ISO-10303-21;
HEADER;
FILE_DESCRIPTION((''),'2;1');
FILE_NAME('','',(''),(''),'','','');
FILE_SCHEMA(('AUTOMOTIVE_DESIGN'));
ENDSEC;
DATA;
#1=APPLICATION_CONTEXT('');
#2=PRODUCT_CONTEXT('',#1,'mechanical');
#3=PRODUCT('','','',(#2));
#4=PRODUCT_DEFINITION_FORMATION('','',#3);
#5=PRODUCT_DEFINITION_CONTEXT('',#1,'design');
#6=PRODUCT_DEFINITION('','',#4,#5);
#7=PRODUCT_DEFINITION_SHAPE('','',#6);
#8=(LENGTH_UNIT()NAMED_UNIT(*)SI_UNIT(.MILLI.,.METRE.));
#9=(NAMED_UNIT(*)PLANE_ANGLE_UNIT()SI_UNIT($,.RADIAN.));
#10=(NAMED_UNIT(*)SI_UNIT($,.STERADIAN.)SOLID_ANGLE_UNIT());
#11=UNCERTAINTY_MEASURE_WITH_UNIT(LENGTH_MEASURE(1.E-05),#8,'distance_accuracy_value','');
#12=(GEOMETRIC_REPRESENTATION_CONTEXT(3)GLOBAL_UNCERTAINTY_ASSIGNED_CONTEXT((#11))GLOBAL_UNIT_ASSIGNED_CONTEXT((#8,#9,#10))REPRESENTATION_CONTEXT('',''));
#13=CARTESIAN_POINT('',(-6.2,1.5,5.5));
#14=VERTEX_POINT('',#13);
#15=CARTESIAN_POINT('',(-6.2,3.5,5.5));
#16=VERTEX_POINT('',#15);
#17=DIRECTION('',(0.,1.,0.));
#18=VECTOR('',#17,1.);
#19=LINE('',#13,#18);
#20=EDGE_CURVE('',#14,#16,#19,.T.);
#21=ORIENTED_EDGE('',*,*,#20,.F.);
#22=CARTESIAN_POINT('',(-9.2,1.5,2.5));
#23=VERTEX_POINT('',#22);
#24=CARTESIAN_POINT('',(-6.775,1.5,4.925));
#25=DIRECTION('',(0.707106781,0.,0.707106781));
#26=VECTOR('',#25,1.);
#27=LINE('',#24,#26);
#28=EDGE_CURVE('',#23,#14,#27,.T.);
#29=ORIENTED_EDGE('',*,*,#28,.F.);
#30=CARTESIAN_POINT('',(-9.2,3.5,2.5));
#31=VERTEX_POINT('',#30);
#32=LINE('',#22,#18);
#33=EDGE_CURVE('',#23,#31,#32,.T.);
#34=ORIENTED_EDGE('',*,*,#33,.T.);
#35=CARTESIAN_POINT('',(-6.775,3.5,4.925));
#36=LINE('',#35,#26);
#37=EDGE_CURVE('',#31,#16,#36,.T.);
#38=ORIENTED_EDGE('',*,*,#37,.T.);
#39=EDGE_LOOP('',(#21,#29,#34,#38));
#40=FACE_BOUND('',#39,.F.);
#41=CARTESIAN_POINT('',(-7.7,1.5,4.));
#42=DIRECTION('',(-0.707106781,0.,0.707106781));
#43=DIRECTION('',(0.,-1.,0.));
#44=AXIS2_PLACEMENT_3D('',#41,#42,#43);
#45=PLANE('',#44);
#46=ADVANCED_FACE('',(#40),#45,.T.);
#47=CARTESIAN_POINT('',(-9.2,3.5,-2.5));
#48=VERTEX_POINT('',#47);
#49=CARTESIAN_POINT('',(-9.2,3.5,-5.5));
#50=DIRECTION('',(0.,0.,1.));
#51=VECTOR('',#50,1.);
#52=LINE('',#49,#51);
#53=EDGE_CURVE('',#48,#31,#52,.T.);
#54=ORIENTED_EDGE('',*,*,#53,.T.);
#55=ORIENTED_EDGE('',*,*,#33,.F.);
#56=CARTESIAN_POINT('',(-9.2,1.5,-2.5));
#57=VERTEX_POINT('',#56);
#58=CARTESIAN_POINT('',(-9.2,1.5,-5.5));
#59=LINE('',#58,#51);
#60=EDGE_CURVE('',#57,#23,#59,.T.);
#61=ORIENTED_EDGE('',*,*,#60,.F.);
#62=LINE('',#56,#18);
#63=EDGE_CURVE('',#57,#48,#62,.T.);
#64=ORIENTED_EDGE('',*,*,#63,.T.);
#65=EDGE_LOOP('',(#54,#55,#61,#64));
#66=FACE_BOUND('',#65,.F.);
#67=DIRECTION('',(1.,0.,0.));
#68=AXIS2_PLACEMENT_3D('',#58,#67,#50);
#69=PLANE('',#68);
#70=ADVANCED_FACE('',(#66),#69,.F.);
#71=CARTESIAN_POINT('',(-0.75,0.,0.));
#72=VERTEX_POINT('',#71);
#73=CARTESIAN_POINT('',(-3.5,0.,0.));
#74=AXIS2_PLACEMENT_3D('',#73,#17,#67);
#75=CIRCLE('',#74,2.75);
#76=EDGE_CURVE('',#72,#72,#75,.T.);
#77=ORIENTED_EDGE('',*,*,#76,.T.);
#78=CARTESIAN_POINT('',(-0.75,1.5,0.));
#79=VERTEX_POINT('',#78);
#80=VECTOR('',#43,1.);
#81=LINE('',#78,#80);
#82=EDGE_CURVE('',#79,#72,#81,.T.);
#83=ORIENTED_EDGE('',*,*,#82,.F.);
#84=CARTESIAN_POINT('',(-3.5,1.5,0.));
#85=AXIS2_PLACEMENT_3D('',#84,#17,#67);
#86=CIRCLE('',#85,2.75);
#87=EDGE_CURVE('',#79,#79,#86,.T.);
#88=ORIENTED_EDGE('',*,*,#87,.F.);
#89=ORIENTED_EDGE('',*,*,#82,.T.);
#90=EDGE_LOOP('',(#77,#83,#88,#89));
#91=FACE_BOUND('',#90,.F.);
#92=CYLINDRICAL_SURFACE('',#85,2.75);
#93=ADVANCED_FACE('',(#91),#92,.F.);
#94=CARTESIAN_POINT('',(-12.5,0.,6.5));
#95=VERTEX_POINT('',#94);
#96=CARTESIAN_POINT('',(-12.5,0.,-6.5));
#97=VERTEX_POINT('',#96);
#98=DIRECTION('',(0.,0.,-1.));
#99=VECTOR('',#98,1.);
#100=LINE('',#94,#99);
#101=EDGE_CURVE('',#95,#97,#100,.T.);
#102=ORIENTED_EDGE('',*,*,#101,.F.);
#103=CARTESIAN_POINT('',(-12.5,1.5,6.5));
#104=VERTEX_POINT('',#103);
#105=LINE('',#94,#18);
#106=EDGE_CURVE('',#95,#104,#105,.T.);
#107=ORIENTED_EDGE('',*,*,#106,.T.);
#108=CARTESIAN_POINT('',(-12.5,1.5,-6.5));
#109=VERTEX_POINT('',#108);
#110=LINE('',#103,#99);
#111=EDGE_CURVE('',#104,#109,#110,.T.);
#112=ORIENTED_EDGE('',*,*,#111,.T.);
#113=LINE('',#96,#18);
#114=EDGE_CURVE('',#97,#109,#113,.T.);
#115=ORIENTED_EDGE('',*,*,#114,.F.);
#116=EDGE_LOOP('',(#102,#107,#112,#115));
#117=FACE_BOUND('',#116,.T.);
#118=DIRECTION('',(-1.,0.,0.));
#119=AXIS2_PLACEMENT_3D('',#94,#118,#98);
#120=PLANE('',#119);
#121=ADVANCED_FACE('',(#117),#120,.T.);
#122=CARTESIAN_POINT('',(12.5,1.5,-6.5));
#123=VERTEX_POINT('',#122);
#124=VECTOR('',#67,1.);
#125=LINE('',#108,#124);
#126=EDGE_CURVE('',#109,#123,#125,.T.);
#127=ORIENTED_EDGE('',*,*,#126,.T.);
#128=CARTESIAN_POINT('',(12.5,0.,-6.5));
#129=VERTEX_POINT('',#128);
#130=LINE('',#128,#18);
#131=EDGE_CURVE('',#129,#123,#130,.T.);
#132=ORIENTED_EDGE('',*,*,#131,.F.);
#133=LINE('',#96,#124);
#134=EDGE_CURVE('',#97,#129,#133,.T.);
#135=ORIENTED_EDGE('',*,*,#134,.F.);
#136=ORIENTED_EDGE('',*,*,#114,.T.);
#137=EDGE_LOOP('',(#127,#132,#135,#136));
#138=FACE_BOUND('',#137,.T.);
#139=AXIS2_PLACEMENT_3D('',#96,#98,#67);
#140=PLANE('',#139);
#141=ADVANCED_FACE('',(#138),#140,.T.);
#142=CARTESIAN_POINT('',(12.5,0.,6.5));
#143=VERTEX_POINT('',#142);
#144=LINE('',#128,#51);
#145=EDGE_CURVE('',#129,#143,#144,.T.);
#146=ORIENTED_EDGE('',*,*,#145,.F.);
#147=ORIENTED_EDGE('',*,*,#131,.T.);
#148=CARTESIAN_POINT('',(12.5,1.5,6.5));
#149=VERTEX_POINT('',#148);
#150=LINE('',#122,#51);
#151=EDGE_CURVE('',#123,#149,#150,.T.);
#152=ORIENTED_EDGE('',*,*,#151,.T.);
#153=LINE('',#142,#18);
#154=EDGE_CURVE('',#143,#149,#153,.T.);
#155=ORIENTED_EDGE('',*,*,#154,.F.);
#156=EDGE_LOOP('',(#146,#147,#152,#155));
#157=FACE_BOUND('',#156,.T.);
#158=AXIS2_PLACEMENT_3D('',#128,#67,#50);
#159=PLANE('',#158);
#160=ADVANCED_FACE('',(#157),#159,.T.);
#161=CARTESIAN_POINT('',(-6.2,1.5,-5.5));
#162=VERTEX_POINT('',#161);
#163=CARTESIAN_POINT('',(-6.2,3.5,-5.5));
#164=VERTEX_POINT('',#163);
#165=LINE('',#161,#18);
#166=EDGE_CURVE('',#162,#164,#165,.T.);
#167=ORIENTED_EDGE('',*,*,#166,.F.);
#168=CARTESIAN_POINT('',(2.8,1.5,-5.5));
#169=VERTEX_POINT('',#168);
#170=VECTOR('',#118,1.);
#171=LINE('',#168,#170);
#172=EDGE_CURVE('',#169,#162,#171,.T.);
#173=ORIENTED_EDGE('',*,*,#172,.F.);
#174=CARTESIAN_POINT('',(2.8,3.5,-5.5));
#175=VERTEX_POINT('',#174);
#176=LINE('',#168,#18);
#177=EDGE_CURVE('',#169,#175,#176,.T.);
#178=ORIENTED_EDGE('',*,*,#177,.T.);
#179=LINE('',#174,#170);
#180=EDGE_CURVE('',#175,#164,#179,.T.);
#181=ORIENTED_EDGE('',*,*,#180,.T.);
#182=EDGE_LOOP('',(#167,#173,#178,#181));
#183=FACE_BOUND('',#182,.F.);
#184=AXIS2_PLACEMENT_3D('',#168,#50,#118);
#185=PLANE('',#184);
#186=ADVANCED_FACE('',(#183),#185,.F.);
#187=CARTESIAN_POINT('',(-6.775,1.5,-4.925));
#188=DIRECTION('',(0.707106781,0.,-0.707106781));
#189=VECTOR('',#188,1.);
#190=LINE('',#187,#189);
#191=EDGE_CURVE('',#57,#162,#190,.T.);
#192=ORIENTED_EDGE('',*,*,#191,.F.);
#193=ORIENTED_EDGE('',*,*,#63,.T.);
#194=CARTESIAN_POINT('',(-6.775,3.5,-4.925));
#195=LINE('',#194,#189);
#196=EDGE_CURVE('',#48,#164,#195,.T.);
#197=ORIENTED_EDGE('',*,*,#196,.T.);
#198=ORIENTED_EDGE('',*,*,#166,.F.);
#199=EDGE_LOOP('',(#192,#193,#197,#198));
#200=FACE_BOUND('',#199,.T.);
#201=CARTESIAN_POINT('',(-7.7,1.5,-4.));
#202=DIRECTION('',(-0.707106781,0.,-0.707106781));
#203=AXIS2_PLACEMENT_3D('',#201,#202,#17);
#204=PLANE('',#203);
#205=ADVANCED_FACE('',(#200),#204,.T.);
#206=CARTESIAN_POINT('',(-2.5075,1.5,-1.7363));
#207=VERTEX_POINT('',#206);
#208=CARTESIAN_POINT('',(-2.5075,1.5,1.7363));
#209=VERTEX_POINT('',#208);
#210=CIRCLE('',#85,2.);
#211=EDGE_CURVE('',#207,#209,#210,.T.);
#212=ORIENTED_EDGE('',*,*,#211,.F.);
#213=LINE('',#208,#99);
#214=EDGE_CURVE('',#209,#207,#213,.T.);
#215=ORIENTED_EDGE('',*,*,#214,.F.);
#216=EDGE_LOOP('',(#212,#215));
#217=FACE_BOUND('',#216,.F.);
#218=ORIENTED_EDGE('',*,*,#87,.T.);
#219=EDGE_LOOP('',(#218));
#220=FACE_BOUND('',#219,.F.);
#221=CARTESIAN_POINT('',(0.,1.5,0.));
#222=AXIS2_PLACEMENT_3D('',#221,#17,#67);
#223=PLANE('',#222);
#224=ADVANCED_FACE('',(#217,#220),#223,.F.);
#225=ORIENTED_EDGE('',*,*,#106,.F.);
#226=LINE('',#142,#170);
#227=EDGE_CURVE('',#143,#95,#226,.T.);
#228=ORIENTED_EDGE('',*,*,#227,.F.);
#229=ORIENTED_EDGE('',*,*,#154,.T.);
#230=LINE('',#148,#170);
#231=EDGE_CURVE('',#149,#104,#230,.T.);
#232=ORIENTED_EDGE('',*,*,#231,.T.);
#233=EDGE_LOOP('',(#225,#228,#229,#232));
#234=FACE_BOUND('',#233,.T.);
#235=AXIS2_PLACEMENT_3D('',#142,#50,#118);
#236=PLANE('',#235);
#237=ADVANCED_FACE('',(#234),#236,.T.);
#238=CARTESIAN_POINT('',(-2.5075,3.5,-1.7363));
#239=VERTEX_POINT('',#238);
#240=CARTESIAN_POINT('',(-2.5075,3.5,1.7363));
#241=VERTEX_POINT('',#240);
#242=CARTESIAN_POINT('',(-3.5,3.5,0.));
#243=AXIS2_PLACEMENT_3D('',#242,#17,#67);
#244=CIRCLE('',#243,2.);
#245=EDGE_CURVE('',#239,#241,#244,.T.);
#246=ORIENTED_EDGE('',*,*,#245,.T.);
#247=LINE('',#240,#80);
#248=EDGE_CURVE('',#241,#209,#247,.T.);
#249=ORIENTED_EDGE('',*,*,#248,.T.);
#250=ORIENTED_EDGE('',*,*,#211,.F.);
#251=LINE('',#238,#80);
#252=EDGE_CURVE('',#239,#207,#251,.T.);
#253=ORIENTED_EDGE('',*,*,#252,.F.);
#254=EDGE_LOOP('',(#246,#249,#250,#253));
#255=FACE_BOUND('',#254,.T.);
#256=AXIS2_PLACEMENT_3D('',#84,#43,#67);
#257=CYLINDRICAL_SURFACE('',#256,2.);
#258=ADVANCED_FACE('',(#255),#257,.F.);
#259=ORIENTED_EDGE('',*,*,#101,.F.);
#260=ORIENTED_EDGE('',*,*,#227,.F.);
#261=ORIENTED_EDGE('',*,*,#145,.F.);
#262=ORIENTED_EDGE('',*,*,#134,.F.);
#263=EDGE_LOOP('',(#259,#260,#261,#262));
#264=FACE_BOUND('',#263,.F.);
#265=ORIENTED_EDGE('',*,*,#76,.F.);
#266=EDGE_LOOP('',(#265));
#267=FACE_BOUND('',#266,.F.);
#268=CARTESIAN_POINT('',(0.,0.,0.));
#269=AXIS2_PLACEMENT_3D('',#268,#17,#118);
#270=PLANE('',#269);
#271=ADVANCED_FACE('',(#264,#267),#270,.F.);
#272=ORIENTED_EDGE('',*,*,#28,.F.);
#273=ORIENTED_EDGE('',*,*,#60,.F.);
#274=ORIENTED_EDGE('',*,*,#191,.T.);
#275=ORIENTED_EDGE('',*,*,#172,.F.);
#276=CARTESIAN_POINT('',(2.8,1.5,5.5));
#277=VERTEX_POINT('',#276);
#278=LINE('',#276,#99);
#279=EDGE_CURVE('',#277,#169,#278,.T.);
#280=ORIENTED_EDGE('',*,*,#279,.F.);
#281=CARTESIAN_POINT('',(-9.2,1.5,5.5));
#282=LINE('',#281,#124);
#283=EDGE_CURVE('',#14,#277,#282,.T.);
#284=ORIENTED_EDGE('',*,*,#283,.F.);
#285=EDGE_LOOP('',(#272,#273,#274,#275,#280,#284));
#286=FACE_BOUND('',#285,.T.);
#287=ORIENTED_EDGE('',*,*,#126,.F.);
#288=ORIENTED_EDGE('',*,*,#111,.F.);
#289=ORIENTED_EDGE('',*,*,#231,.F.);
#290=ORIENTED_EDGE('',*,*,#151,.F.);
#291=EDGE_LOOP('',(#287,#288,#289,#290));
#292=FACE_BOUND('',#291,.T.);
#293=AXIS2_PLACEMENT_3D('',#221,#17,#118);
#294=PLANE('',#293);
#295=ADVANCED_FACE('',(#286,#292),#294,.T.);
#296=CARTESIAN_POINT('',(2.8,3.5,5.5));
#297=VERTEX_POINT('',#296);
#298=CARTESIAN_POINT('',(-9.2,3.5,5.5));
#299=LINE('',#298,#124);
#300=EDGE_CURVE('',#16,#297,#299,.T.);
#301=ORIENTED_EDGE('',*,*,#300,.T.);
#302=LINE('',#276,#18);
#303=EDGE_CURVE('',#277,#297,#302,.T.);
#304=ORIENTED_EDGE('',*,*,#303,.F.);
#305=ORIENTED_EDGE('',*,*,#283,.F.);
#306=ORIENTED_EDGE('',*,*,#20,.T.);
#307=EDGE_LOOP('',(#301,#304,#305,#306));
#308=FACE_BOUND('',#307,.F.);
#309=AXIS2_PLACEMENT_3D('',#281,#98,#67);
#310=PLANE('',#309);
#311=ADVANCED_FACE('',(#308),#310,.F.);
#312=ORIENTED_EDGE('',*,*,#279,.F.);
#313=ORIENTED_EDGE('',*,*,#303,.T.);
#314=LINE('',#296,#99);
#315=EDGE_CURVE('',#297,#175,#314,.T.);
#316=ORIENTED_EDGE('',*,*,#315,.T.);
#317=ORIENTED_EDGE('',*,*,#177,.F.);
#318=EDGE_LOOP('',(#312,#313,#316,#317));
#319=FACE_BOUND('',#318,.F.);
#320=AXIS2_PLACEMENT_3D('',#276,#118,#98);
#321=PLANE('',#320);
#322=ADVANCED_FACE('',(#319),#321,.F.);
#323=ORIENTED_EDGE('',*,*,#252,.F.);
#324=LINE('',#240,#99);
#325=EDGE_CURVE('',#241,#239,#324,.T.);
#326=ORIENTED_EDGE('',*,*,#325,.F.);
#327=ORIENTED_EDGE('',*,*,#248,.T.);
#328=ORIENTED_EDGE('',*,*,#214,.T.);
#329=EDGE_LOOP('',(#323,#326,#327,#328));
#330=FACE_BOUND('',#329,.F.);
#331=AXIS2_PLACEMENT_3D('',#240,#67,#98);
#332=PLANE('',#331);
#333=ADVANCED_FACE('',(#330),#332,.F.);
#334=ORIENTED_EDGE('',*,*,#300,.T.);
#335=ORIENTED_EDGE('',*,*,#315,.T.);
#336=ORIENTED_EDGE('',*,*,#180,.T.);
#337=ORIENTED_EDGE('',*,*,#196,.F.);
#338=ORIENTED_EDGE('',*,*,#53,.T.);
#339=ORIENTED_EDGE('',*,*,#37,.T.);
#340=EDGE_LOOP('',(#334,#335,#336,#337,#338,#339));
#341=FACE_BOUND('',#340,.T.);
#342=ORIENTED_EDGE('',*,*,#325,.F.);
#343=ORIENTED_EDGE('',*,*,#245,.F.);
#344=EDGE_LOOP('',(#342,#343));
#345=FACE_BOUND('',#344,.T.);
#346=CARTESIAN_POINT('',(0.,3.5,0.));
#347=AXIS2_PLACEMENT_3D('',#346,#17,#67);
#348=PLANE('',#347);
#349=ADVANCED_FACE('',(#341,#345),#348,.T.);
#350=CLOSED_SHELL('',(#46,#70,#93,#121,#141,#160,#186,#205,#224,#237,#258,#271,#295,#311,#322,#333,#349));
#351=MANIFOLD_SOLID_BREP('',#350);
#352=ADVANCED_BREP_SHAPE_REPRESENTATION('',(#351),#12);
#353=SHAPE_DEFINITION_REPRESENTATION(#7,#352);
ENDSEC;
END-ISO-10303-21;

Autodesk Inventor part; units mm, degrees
ref_plane "YZ Plane" through (0, 0, 0) normal (1, 0, 0) x (0, 1, 0)
ref_plane "XZ Plane" through (0, 0, 0) normal (0, 1, 0) x (-1, 0, 0)
ref_plane "XY Plane" through (0, 0, 0) normal (0, 0, 1) x (1, 0, 0)
sketch "Boceto1" plane through (0, 0, 0) normal (0, 1, 0) x (-1, 0, 0)
  line L0 (-12.5, 6.5) -> (12.5, 6.5)
  line L1 (12.5, 6.5) -> (12.5, -6.5)
  line L2 (12.5, -6.5) -> (-12.5, -6.5)
  line L3 (-12.5, -6.5) -> (-12.5, 6.5)
  line L4 (-12.5, 6.5) -> (12.5, -6.5) construction
  line L5 (12.5, 6.5) -> (-12.5, -6.5) construction
  point P0 (0, 0)
  dimension "d0" = 13
  dimension "d1" = 25
extrude "Extrusión1" add sketch "Boceto1" along normal blind 1.5
sketch "Boceto2" plane through (0, 1.5, 0) normal (0, 1, 0) x (1, 0, 0)
  circle A0 centre (-3.5, 0) radius 2.75
  line L0 (-12.5, 6.5) -> (-12.5, -6.5) projected
  point P0 (0, 0)
  dimension "d4" = 9
  dimension "d5" = 5.5
extrude "Extrusión2" cut sketch "Boceto2" against normal blind 1.5
sketch "Boceto3" plane through (0, 1.5, 0) normal (0, 1, 0) x (1, 0, 0)
  line L0 (-9.2, -5.5) -> (2.8, -5.5)
  line L1 (2.8, -5.5) -> (2.8, 5.5)
  line L2 (2.8, 5.5) -> (-9.2, 5.5)
  line L3 (-9.2, 5.5) -> (-9.2, -5.5)
  line L4 (-12.5, 6.5) -> (-12.5, -6.5) projected
  line L5 (12.5, 6.5) -> (-12.5, 6.5) projected
  circle A0 centre (-3.5, 0) radius 2.75 projected
  circle A1 centre (-3.5, 0) radius 2
  point P0 (0, 0)
  dimension "d8" = 11
  dimension "d9" = 12
  dimension "d10" = 3.3
  dimension "d11" = 1
  dimension "d14" = 4
extrude "Extrusión3" add sketch "Boceto3" along normal blind 2 contours L3 L2 L1 L0 | A0
chamfer "Chaflán1" distance 3 angle 45 2 edges at (-9.2, 2.5, 5.5) (-9.2, 2.5, -5.5)
sketch "Boceto4" plane through (0, 3.5, 0) normal (0, 1, 0) x (1, 0, 0)
  circle A0 centre (-3.5, 0) radius 2 projected
  line L0 (-2.5075, -1.7363) -> (-2.5075, 1.7363)
  point P0 (0, 0)
extrude "Extrusión4" add sketch "Boceto4" against normal up to surface (2 mm away) contours A0 L0 picked at (-2.1717, 0)
properties part number "AngleSensor"
